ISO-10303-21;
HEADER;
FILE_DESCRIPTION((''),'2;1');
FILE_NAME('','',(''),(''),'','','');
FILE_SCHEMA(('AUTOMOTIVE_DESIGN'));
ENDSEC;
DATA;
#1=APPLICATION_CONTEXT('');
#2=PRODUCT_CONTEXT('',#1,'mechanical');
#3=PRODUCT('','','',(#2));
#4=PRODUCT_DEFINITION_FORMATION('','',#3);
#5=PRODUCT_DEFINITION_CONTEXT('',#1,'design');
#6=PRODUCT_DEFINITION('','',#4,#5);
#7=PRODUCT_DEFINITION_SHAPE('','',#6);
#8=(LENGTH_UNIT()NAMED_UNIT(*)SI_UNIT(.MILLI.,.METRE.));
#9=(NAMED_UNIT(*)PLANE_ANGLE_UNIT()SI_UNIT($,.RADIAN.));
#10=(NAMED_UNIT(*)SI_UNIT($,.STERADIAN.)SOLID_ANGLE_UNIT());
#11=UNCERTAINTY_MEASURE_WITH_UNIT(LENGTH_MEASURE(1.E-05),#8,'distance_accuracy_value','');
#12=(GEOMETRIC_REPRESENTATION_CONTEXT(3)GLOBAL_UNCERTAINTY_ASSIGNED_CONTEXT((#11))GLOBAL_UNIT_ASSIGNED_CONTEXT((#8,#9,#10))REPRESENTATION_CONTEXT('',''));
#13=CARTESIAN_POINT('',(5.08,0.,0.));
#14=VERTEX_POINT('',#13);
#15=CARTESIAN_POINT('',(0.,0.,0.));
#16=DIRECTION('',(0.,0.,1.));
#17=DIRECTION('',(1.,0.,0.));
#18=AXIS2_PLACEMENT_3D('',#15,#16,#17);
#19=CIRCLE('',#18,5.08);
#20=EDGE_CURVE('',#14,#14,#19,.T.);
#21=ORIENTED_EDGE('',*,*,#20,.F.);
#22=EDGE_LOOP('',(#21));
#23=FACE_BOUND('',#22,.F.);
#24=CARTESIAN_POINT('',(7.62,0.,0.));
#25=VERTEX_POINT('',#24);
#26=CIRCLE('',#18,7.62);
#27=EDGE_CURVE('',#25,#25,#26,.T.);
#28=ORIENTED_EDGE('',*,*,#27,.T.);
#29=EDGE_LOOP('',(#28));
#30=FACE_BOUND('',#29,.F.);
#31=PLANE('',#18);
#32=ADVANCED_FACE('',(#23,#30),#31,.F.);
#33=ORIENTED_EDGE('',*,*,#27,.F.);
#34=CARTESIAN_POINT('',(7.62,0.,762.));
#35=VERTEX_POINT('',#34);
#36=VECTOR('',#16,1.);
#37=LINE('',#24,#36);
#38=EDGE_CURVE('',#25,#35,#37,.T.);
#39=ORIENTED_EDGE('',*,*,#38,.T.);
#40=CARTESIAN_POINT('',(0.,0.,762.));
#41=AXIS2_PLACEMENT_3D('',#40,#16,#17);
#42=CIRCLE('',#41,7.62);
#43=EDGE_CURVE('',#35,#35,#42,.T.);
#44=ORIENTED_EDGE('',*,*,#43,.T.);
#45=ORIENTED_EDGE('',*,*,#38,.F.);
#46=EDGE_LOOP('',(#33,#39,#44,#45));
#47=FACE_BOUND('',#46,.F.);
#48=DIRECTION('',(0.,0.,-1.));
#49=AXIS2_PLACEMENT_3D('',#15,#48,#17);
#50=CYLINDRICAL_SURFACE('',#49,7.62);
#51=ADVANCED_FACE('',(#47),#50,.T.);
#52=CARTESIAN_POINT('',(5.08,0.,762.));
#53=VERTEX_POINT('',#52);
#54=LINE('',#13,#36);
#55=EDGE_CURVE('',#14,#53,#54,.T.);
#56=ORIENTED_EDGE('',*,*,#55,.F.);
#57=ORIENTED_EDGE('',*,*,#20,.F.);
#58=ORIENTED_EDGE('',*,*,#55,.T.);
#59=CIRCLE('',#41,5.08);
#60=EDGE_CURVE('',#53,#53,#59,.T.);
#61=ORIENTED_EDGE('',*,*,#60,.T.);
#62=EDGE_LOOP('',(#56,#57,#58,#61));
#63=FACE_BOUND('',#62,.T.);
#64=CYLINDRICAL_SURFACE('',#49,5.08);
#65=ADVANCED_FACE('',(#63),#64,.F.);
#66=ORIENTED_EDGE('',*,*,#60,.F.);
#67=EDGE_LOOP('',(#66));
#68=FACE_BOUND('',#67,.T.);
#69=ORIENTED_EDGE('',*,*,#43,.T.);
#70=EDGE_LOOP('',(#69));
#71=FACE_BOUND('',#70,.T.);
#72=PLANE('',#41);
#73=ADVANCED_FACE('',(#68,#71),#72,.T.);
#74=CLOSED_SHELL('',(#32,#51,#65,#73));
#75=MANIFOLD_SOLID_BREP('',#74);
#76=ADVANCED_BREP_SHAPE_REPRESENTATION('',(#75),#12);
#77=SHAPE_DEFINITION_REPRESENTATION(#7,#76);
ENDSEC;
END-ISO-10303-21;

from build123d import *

# Parameters (mm, degrees)
SKETCH2_R           = 7.62
SKETCH2_R_2         = 5.08
BOSS_EXTRUDE1_DEPTH = 762


with BuildPart() as part:
    # Sketch2 → Boss-Extrude1 (new body)
    with BuildSketch(Plane.XY):
        Circle(SKETCH2_R)
        Circle(SKETCH2_R_2, mode=Mode.SUBTRACT)
    extrude(amount=BOSS_EXTRUDE1_DEPTH)


solid = part.part
